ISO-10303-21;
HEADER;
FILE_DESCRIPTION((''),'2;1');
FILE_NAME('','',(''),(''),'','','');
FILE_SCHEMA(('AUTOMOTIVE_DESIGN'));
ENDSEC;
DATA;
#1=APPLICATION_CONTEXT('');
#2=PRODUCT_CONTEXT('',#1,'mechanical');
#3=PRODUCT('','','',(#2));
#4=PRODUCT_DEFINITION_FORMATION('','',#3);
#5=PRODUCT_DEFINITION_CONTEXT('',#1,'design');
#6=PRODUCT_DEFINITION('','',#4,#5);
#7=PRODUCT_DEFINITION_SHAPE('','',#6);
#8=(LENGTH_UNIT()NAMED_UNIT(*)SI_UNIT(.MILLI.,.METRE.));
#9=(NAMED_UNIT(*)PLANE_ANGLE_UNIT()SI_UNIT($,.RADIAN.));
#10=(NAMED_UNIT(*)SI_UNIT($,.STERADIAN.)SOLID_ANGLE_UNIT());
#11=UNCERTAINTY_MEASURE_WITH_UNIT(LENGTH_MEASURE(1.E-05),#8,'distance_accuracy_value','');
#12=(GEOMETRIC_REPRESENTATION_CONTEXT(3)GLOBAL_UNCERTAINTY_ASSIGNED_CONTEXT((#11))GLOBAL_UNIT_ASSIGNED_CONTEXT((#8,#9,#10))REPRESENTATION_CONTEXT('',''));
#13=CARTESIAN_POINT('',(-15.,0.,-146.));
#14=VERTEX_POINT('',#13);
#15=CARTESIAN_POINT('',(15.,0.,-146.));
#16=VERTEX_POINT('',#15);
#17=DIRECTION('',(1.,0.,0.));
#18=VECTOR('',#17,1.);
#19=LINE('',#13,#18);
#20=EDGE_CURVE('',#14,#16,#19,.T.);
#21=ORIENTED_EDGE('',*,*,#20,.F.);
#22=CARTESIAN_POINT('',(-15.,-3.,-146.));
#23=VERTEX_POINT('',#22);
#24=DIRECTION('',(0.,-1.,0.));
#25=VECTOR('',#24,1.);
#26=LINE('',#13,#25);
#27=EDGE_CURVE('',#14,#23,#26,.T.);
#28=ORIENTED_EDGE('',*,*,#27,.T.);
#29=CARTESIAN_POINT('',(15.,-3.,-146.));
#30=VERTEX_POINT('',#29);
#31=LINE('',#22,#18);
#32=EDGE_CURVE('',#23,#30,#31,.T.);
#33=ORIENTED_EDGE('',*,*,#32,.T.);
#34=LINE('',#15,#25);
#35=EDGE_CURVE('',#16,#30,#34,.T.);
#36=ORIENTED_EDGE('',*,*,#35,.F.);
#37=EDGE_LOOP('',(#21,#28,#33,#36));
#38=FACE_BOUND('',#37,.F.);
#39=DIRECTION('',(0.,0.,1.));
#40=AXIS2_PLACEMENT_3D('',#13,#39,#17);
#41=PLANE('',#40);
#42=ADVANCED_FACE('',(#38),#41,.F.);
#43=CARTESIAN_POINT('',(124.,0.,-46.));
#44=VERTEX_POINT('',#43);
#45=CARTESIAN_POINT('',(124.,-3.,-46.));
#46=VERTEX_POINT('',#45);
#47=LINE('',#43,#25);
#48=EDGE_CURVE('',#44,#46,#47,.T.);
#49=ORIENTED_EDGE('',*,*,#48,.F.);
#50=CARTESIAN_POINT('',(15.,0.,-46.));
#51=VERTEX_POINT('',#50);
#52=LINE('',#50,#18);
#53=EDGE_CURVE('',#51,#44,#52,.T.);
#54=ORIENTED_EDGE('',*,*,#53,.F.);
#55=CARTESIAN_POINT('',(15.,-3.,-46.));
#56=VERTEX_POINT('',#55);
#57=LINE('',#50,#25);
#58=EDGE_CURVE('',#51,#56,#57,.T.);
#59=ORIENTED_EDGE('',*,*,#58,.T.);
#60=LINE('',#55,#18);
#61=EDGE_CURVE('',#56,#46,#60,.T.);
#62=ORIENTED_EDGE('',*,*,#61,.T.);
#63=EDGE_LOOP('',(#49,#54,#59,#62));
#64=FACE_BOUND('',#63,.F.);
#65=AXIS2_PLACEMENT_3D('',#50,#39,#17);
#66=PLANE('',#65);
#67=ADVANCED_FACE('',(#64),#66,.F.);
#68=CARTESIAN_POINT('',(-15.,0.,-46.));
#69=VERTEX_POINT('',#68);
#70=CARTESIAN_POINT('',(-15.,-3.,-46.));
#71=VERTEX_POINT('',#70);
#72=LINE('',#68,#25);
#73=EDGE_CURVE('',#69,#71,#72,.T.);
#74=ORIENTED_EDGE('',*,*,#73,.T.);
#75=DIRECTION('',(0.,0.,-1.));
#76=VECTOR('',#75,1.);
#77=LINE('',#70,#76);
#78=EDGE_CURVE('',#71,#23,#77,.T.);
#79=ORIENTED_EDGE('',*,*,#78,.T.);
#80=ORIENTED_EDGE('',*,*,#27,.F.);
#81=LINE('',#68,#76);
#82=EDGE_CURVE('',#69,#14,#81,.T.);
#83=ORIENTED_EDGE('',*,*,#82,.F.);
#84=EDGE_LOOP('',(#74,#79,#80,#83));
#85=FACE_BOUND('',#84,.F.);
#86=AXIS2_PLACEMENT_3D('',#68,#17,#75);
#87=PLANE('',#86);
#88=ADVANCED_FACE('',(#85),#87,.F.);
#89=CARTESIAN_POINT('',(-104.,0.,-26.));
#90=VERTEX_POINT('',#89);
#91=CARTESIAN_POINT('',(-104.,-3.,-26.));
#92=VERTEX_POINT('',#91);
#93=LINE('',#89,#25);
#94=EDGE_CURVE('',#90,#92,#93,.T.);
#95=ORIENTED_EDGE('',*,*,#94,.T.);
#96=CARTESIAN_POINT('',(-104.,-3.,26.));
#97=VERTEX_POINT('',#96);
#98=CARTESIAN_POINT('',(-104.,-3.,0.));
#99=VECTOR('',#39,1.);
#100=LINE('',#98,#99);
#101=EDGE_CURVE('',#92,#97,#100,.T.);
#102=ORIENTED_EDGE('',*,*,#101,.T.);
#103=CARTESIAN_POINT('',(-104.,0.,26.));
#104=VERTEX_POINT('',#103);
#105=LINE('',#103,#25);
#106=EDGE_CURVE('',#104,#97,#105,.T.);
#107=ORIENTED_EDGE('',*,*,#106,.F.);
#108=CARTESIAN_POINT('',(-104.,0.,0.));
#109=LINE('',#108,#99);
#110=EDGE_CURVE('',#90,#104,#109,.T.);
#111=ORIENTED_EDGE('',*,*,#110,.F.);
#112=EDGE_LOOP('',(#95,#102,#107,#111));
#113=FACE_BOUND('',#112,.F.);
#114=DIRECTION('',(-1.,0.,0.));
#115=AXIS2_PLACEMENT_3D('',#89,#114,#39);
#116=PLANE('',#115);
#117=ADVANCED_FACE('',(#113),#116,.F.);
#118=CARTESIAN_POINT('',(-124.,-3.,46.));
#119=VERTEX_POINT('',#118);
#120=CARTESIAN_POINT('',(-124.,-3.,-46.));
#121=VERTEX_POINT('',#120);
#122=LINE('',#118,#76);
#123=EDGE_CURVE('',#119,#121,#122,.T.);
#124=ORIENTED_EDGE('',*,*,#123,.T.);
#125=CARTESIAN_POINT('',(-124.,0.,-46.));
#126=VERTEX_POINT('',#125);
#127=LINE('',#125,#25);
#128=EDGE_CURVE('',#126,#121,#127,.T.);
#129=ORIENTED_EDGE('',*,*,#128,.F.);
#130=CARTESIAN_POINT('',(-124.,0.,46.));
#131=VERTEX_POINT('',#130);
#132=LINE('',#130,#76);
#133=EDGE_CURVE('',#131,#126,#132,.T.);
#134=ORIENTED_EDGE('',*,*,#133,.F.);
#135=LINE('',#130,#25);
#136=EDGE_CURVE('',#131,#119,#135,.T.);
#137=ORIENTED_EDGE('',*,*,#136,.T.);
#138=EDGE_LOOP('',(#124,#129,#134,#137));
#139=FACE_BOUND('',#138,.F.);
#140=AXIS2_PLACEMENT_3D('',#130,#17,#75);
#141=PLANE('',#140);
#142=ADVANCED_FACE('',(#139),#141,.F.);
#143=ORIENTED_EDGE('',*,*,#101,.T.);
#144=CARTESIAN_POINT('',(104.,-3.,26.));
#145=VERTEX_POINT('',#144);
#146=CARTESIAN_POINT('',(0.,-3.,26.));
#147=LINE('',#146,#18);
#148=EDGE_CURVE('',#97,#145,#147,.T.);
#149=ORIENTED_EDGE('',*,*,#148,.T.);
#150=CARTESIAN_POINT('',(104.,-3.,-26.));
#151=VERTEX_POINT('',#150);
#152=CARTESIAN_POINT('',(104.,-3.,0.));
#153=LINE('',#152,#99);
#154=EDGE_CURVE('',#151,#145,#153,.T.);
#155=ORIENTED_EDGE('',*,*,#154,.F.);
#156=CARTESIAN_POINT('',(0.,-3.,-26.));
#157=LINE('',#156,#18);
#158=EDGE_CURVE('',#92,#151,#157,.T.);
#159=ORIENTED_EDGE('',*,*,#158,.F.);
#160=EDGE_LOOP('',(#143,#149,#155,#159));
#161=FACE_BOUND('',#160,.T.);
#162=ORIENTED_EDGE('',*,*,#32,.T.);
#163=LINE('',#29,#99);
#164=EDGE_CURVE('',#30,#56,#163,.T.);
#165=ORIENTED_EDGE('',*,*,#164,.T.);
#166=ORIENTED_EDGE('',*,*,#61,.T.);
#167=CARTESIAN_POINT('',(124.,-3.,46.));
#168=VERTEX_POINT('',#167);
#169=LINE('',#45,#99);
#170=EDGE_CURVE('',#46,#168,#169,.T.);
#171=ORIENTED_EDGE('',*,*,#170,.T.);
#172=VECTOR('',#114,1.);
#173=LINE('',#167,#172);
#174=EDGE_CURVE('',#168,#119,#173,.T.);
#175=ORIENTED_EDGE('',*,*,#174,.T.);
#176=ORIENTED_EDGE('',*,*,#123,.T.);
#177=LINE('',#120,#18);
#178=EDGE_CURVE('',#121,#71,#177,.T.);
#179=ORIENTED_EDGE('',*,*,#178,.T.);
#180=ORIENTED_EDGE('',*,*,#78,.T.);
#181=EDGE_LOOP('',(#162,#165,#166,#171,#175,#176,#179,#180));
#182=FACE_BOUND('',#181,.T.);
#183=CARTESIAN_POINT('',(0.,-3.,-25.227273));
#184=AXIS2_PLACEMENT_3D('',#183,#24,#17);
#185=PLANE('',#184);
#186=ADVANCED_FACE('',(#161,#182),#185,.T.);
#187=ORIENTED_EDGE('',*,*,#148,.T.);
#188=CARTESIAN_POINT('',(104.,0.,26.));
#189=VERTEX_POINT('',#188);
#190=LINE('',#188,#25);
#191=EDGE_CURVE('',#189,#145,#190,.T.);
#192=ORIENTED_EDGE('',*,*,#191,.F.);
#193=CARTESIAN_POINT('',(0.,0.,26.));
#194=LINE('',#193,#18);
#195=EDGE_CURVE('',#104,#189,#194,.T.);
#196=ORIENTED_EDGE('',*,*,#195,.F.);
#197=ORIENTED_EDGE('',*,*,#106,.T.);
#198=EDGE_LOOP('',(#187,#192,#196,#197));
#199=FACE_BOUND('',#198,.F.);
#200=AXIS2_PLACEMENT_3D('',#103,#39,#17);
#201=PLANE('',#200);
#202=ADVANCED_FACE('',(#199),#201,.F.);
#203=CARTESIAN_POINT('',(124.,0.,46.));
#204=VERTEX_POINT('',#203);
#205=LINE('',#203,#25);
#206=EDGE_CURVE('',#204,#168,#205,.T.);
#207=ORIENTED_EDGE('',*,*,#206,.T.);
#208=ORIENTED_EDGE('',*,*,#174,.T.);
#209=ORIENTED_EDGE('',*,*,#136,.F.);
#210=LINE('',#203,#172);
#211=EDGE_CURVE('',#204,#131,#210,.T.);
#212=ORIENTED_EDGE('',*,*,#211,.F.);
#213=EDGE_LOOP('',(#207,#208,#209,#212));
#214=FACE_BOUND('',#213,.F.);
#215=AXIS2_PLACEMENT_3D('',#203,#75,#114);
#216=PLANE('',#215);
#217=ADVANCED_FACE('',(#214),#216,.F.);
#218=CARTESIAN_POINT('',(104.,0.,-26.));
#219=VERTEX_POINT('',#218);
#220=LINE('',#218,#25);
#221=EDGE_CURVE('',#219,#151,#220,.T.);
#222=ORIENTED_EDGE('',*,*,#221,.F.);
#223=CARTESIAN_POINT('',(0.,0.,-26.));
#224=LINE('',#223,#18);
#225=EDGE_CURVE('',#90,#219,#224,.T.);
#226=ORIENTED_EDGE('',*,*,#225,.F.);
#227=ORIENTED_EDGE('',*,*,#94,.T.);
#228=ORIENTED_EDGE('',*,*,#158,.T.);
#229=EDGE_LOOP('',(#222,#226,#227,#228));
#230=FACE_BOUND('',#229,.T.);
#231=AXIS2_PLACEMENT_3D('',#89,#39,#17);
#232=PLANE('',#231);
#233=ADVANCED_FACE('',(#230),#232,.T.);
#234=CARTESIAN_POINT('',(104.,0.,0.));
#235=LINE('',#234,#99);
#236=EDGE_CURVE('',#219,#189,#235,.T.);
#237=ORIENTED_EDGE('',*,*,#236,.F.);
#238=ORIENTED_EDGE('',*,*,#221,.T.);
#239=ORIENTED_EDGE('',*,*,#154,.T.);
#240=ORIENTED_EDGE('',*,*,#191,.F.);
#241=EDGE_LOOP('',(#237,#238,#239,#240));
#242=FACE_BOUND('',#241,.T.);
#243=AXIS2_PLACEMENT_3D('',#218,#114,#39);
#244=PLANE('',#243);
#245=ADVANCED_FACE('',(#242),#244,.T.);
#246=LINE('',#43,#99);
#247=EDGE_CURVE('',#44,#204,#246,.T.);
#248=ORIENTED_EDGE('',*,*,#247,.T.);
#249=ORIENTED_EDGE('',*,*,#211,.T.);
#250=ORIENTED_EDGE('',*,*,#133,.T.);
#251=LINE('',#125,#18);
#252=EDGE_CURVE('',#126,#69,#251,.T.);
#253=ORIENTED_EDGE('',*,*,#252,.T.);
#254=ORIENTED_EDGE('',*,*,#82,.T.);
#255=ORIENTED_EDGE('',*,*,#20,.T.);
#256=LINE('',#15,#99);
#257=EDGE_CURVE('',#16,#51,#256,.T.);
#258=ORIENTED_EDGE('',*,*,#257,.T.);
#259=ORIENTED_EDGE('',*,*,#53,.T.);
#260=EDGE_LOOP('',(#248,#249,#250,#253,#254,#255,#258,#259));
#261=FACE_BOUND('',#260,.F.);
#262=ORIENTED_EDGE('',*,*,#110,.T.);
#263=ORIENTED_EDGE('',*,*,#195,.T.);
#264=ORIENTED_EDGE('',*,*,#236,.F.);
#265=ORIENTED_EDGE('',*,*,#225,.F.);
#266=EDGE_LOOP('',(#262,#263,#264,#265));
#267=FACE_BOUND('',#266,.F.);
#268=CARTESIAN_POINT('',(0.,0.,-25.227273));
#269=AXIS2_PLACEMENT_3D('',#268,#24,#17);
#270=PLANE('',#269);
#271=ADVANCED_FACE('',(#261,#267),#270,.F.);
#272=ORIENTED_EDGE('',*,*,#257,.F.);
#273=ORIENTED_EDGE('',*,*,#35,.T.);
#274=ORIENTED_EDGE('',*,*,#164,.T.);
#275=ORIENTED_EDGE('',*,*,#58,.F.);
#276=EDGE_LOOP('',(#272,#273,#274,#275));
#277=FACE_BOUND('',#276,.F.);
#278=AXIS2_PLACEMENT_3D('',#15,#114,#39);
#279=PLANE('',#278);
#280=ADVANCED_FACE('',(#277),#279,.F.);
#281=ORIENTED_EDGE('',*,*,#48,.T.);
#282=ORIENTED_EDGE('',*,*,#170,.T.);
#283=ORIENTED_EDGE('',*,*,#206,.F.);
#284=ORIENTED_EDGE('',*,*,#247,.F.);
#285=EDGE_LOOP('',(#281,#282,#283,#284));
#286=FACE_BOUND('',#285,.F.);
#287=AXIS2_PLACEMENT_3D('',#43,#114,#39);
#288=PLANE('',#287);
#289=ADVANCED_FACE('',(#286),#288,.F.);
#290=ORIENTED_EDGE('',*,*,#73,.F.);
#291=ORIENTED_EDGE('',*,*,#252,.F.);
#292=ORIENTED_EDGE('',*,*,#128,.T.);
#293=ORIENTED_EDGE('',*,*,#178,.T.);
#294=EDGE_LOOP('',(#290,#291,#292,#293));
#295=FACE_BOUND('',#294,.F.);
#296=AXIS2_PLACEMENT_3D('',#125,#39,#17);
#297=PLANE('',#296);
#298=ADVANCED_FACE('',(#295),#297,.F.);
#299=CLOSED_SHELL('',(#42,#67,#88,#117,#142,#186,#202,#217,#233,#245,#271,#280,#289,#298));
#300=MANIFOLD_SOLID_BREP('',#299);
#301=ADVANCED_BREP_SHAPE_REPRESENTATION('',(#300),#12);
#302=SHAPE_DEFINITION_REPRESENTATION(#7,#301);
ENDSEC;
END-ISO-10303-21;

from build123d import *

# Parameters (mm, degrees)
F0_W     = 208
F0_H     = 52
F1_DEPTH = 3


with BuildPart() as f1:
    # F0 (on Front) → F1 (new body)
    with BuildSketch(Plane.XZ):
        Polygon((15, -46), (124, -46), (124, 46), (-124, 46), (-124, -46), (-15, -46), (-15, -146), (15, -146), align=None)
        Rectangle(F0_W, F0_H, mode=Mode.SUBTRACT)
    extrude(amount=F1_DEPTH)


solid = f1.part
